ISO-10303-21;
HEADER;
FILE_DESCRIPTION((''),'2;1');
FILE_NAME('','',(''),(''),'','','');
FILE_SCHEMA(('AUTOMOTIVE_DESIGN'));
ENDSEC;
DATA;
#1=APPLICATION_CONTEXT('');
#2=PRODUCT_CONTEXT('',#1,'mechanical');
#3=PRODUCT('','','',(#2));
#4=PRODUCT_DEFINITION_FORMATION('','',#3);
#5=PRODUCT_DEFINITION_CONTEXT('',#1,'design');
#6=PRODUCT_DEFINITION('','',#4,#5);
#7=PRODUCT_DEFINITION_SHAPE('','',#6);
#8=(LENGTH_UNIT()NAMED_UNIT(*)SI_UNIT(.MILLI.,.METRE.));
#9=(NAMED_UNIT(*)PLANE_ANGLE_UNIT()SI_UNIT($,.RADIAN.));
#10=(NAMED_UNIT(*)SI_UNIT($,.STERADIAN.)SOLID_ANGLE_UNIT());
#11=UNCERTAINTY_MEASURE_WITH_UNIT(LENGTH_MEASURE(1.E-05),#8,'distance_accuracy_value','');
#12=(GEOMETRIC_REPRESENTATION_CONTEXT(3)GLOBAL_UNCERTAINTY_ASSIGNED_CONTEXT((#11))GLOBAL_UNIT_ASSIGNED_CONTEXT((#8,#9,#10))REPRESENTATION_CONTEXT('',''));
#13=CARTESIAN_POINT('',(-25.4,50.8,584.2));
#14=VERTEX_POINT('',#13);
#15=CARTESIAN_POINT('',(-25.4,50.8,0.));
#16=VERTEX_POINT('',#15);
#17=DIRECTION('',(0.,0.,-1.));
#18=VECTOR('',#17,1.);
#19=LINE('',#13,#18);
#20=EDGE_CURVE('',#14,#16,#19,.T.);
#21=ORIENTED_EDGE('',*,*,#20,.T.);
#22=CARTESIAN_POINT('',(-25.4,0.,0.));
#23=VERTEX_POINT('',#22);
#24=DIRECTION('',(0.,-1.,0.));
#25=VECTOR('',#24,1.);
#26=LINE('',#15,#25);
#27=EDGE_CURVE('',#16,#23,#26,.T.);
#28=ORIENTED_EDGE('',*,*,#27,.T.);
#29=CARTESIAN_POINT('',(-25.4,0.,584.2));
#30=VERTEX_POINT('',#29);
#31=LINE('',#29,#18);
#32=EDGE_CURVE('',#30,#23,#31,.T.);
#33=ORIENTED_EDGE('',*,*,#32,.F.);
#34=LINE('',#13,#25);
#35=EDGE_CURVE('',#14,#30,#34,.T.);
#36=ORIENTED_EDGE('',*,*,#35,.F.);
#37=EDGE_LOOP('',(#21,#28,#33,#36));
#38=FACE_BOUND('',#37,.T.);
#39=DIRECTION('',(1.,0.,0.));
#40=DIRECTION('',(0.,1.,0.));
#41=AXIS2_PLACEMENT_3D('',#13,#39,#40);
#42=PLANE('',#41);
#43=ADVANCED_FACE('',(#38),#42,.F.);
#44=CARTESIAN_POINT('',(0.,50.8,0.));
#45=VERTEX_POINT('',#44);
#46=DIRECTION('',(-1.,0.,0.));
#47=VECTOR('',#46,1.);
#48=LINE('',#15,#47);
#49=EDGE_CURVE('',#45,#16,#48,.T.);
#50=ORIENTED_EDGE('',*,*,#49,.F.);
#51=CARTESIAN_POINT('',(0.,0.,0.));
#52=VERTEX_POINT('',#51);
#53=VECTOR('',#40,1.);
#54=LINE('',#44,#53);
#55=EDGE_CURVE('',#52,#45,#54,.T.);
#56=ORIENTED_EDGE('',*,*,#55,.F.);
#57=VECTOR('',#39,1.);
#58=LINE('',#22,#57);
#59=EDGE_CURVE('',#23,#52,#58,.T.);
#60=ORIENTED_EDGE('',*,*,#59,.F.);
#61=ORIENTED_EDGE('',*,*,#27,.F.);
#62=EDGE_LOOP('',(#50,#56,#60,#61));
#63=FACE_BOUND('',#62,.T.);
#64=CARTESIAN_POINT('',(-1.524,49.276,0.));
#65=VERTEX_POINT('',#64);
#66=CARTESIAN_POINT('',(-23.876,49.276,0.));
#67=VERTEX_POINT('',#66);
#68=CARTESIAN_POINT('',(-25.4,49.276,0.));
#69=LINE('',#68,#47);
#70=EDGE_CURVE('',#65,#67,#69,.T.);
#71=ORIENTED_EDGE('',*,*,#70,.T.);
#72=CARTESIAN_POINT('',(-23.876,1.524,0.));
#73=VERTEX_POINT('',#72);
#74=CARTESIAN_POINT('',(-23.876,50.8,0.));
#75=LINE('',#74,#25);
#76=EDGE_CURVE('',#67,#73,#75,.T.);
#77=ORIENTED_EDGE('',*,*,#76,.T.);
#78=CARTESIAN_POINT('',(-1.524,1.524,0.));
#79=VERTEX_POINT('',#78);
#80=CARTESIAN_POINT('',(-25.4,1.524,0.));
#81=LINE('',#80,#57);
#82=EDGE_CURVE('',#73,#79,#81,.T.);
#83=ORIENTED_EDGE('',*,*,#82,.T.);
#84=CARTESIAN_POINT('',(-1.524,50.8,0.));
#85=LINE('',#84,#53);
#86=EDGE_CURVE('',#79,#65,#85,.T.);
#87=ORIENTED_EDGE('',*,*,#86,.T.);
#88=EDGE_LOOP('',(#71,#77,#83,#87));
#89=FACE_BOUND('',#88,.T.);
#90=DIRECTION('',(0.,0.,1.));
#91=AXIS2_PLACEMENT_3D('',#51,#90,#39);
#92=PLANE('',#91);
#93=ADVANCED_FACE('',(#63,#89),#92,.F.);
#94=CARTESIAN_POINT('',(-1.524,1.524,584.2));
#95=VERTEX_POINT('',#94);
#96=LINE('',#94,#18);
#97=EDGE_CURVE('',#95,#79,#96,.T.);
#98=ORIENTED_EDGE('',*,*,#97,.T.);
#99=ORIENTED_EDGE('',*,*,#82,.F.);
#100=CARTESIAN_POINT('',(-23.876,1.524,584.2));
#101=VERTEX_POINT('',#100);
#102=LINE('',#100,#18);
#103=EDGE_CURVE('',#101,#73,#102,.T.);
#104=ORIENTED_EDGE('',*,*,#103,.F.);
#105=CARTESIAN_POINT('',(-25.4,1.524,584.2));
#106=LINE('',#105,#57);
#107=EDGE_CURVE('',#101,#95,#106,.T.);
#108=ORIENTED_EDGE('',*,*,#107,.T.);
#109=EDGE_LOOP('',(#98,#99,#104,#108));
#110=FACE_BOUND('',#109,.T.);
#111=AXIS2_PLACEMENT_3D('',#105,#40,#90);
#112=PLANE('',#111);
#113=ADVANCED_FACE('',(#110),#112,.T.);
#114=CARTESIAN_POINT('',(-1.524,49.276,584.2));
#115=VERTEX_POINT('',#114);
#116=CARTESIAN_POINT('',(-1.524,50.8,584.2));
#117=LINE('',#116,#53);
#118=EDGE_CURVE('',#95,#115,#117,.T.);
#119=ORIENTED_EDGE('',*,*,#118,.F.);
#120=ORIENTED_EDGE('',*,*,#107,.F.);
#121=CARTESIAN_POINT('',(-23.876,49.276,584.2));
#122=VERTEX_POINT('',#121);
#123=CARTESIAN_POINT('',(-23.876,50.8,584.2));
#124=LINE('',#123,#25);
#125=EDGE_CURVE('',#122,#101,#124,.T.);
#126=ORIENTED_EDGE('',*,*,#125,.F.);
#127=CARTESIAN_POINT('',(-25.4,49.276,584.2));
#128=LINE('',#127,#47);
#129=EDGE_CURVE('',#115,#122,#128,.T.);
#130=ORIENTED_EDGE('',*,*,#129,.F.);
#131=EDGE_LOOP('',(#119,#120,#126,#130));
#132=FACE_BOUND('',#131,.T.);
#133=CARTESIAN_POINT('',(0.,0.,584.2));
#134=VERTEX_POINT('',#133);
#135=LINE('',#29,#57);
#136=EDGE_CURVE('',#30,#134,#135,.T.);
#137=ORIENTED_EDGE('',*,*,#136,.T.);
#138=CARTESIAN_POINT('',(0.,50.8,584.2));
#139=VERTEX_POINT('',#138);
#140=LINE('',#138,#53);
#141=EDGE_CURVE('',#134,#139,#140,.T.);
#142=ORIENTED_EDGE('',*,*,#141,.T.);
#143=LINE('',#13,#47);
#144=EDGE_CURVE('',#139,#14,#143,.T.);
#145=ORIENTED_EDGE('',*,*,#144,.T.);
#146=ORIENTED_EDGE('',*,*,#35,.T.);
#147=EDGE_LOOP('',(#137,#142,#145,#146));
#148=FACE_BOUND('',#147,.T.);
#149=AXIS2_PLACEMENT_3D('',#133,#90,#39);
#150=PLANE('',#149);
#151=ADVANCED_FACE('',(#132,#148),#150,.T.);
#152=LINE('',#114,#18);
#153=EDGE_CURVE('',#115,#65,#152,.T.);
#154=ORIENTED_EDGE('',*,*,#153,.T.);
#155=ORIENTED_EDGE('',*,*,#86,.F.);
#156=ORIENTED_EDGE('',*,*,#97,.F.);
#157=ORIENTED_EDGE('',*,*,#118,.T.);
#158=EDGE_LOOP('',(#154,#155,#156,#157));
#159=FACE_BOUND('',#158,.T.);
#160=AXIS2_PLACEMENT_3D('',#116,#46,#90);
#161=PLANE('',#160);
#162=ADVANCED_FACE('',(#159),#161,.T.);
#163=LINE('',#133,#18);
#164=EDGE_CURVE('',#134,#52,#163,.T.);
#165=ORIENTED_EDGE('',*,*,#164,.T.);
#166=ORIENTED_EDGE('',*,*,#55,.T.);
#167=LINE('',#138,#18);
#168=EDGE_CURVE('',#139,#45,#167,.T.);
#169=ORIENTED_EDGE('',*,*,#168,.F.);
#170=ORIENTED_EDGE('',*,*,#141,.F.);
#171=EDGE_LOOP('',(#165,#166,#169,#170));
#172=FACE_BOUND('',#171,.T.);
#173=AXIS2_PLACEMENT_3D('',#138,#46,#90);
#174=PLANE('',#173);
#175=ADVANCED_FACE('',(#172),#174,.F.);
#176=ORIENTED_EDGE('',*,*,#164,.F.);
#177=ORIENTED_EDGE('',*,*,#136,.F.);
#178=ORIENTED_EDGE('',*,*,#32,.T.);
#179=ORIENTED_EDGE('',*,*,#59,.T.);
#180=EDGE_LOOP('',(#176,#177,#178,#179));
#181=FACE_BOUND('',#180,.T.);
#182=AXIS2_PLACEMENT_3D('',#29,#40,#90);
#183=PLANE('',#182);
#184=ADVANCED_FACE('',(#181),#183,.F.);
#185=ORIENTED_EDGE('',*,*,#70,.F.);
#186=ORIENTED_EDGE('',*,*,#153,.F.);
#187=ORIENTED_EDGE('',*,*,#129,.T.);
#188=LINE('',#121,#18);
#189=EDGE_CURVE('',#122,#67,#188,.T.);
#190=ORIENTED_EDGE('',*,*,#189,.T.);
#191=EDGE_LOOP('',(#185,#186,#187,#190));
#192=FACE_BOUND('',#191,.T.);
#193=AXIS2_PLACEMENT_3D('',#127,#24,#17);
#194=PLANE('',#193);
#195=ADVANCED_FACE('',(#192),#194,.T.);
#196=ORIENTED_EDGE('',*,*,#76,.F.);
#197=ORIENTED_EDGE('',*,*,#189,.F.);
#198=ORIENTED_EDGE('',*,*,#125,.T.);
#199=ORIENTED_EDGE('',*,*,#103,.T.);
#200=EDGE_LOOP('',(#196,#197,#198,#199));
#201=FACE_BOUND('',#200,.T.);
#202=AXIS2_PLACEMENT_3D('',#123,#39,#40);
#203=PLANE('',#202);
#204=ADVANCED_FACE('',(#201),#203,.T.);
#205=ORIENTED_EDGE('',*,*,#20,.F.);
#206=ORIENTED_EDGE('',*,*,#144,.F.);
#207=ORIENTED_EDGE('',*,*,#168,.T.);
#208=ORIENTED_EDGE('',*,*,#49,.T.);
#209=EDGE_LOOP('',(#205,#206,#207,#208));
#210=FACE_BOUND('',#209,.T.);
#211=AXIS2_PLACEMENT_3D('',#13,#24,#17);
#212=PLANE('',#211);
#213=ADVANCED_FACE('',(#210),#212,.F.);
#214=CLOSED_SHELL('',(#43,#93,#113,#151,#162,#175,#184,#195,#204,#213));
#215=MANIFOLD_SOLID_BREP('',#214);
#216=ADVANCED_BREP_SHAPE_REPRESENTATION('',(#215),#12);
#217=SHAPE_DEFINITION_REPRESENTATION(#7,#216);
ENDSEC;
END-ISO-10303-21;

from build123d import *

# Parameters (mm, degrees)
SKETCH2_W           = 25.4
SKETCH2_H           = 50.8
SKETCH2_W_2         = 22.352
SKETCH2_H_2         = 47.752
EXTRUDE_THIN1_DEPTH = 584.2


with BuildPart() as part:
    # Sketch2 → Extrude-Thin1 (new body)
    with BuildSketch(Plane.XY):
        with Locations((-12.7, 25.4)):
            Rectangle(SKETCH2_W, SKETCH2_H)
        with Locations((-12.7, 25.4)):
            Rectangle(SKETCH2_W_2, SKETCH2_H_2, mode=Mode.SUBTRACT)
    extrude(amount=EXTRUDE_THIN1_DEPTH)


solid = part.part
